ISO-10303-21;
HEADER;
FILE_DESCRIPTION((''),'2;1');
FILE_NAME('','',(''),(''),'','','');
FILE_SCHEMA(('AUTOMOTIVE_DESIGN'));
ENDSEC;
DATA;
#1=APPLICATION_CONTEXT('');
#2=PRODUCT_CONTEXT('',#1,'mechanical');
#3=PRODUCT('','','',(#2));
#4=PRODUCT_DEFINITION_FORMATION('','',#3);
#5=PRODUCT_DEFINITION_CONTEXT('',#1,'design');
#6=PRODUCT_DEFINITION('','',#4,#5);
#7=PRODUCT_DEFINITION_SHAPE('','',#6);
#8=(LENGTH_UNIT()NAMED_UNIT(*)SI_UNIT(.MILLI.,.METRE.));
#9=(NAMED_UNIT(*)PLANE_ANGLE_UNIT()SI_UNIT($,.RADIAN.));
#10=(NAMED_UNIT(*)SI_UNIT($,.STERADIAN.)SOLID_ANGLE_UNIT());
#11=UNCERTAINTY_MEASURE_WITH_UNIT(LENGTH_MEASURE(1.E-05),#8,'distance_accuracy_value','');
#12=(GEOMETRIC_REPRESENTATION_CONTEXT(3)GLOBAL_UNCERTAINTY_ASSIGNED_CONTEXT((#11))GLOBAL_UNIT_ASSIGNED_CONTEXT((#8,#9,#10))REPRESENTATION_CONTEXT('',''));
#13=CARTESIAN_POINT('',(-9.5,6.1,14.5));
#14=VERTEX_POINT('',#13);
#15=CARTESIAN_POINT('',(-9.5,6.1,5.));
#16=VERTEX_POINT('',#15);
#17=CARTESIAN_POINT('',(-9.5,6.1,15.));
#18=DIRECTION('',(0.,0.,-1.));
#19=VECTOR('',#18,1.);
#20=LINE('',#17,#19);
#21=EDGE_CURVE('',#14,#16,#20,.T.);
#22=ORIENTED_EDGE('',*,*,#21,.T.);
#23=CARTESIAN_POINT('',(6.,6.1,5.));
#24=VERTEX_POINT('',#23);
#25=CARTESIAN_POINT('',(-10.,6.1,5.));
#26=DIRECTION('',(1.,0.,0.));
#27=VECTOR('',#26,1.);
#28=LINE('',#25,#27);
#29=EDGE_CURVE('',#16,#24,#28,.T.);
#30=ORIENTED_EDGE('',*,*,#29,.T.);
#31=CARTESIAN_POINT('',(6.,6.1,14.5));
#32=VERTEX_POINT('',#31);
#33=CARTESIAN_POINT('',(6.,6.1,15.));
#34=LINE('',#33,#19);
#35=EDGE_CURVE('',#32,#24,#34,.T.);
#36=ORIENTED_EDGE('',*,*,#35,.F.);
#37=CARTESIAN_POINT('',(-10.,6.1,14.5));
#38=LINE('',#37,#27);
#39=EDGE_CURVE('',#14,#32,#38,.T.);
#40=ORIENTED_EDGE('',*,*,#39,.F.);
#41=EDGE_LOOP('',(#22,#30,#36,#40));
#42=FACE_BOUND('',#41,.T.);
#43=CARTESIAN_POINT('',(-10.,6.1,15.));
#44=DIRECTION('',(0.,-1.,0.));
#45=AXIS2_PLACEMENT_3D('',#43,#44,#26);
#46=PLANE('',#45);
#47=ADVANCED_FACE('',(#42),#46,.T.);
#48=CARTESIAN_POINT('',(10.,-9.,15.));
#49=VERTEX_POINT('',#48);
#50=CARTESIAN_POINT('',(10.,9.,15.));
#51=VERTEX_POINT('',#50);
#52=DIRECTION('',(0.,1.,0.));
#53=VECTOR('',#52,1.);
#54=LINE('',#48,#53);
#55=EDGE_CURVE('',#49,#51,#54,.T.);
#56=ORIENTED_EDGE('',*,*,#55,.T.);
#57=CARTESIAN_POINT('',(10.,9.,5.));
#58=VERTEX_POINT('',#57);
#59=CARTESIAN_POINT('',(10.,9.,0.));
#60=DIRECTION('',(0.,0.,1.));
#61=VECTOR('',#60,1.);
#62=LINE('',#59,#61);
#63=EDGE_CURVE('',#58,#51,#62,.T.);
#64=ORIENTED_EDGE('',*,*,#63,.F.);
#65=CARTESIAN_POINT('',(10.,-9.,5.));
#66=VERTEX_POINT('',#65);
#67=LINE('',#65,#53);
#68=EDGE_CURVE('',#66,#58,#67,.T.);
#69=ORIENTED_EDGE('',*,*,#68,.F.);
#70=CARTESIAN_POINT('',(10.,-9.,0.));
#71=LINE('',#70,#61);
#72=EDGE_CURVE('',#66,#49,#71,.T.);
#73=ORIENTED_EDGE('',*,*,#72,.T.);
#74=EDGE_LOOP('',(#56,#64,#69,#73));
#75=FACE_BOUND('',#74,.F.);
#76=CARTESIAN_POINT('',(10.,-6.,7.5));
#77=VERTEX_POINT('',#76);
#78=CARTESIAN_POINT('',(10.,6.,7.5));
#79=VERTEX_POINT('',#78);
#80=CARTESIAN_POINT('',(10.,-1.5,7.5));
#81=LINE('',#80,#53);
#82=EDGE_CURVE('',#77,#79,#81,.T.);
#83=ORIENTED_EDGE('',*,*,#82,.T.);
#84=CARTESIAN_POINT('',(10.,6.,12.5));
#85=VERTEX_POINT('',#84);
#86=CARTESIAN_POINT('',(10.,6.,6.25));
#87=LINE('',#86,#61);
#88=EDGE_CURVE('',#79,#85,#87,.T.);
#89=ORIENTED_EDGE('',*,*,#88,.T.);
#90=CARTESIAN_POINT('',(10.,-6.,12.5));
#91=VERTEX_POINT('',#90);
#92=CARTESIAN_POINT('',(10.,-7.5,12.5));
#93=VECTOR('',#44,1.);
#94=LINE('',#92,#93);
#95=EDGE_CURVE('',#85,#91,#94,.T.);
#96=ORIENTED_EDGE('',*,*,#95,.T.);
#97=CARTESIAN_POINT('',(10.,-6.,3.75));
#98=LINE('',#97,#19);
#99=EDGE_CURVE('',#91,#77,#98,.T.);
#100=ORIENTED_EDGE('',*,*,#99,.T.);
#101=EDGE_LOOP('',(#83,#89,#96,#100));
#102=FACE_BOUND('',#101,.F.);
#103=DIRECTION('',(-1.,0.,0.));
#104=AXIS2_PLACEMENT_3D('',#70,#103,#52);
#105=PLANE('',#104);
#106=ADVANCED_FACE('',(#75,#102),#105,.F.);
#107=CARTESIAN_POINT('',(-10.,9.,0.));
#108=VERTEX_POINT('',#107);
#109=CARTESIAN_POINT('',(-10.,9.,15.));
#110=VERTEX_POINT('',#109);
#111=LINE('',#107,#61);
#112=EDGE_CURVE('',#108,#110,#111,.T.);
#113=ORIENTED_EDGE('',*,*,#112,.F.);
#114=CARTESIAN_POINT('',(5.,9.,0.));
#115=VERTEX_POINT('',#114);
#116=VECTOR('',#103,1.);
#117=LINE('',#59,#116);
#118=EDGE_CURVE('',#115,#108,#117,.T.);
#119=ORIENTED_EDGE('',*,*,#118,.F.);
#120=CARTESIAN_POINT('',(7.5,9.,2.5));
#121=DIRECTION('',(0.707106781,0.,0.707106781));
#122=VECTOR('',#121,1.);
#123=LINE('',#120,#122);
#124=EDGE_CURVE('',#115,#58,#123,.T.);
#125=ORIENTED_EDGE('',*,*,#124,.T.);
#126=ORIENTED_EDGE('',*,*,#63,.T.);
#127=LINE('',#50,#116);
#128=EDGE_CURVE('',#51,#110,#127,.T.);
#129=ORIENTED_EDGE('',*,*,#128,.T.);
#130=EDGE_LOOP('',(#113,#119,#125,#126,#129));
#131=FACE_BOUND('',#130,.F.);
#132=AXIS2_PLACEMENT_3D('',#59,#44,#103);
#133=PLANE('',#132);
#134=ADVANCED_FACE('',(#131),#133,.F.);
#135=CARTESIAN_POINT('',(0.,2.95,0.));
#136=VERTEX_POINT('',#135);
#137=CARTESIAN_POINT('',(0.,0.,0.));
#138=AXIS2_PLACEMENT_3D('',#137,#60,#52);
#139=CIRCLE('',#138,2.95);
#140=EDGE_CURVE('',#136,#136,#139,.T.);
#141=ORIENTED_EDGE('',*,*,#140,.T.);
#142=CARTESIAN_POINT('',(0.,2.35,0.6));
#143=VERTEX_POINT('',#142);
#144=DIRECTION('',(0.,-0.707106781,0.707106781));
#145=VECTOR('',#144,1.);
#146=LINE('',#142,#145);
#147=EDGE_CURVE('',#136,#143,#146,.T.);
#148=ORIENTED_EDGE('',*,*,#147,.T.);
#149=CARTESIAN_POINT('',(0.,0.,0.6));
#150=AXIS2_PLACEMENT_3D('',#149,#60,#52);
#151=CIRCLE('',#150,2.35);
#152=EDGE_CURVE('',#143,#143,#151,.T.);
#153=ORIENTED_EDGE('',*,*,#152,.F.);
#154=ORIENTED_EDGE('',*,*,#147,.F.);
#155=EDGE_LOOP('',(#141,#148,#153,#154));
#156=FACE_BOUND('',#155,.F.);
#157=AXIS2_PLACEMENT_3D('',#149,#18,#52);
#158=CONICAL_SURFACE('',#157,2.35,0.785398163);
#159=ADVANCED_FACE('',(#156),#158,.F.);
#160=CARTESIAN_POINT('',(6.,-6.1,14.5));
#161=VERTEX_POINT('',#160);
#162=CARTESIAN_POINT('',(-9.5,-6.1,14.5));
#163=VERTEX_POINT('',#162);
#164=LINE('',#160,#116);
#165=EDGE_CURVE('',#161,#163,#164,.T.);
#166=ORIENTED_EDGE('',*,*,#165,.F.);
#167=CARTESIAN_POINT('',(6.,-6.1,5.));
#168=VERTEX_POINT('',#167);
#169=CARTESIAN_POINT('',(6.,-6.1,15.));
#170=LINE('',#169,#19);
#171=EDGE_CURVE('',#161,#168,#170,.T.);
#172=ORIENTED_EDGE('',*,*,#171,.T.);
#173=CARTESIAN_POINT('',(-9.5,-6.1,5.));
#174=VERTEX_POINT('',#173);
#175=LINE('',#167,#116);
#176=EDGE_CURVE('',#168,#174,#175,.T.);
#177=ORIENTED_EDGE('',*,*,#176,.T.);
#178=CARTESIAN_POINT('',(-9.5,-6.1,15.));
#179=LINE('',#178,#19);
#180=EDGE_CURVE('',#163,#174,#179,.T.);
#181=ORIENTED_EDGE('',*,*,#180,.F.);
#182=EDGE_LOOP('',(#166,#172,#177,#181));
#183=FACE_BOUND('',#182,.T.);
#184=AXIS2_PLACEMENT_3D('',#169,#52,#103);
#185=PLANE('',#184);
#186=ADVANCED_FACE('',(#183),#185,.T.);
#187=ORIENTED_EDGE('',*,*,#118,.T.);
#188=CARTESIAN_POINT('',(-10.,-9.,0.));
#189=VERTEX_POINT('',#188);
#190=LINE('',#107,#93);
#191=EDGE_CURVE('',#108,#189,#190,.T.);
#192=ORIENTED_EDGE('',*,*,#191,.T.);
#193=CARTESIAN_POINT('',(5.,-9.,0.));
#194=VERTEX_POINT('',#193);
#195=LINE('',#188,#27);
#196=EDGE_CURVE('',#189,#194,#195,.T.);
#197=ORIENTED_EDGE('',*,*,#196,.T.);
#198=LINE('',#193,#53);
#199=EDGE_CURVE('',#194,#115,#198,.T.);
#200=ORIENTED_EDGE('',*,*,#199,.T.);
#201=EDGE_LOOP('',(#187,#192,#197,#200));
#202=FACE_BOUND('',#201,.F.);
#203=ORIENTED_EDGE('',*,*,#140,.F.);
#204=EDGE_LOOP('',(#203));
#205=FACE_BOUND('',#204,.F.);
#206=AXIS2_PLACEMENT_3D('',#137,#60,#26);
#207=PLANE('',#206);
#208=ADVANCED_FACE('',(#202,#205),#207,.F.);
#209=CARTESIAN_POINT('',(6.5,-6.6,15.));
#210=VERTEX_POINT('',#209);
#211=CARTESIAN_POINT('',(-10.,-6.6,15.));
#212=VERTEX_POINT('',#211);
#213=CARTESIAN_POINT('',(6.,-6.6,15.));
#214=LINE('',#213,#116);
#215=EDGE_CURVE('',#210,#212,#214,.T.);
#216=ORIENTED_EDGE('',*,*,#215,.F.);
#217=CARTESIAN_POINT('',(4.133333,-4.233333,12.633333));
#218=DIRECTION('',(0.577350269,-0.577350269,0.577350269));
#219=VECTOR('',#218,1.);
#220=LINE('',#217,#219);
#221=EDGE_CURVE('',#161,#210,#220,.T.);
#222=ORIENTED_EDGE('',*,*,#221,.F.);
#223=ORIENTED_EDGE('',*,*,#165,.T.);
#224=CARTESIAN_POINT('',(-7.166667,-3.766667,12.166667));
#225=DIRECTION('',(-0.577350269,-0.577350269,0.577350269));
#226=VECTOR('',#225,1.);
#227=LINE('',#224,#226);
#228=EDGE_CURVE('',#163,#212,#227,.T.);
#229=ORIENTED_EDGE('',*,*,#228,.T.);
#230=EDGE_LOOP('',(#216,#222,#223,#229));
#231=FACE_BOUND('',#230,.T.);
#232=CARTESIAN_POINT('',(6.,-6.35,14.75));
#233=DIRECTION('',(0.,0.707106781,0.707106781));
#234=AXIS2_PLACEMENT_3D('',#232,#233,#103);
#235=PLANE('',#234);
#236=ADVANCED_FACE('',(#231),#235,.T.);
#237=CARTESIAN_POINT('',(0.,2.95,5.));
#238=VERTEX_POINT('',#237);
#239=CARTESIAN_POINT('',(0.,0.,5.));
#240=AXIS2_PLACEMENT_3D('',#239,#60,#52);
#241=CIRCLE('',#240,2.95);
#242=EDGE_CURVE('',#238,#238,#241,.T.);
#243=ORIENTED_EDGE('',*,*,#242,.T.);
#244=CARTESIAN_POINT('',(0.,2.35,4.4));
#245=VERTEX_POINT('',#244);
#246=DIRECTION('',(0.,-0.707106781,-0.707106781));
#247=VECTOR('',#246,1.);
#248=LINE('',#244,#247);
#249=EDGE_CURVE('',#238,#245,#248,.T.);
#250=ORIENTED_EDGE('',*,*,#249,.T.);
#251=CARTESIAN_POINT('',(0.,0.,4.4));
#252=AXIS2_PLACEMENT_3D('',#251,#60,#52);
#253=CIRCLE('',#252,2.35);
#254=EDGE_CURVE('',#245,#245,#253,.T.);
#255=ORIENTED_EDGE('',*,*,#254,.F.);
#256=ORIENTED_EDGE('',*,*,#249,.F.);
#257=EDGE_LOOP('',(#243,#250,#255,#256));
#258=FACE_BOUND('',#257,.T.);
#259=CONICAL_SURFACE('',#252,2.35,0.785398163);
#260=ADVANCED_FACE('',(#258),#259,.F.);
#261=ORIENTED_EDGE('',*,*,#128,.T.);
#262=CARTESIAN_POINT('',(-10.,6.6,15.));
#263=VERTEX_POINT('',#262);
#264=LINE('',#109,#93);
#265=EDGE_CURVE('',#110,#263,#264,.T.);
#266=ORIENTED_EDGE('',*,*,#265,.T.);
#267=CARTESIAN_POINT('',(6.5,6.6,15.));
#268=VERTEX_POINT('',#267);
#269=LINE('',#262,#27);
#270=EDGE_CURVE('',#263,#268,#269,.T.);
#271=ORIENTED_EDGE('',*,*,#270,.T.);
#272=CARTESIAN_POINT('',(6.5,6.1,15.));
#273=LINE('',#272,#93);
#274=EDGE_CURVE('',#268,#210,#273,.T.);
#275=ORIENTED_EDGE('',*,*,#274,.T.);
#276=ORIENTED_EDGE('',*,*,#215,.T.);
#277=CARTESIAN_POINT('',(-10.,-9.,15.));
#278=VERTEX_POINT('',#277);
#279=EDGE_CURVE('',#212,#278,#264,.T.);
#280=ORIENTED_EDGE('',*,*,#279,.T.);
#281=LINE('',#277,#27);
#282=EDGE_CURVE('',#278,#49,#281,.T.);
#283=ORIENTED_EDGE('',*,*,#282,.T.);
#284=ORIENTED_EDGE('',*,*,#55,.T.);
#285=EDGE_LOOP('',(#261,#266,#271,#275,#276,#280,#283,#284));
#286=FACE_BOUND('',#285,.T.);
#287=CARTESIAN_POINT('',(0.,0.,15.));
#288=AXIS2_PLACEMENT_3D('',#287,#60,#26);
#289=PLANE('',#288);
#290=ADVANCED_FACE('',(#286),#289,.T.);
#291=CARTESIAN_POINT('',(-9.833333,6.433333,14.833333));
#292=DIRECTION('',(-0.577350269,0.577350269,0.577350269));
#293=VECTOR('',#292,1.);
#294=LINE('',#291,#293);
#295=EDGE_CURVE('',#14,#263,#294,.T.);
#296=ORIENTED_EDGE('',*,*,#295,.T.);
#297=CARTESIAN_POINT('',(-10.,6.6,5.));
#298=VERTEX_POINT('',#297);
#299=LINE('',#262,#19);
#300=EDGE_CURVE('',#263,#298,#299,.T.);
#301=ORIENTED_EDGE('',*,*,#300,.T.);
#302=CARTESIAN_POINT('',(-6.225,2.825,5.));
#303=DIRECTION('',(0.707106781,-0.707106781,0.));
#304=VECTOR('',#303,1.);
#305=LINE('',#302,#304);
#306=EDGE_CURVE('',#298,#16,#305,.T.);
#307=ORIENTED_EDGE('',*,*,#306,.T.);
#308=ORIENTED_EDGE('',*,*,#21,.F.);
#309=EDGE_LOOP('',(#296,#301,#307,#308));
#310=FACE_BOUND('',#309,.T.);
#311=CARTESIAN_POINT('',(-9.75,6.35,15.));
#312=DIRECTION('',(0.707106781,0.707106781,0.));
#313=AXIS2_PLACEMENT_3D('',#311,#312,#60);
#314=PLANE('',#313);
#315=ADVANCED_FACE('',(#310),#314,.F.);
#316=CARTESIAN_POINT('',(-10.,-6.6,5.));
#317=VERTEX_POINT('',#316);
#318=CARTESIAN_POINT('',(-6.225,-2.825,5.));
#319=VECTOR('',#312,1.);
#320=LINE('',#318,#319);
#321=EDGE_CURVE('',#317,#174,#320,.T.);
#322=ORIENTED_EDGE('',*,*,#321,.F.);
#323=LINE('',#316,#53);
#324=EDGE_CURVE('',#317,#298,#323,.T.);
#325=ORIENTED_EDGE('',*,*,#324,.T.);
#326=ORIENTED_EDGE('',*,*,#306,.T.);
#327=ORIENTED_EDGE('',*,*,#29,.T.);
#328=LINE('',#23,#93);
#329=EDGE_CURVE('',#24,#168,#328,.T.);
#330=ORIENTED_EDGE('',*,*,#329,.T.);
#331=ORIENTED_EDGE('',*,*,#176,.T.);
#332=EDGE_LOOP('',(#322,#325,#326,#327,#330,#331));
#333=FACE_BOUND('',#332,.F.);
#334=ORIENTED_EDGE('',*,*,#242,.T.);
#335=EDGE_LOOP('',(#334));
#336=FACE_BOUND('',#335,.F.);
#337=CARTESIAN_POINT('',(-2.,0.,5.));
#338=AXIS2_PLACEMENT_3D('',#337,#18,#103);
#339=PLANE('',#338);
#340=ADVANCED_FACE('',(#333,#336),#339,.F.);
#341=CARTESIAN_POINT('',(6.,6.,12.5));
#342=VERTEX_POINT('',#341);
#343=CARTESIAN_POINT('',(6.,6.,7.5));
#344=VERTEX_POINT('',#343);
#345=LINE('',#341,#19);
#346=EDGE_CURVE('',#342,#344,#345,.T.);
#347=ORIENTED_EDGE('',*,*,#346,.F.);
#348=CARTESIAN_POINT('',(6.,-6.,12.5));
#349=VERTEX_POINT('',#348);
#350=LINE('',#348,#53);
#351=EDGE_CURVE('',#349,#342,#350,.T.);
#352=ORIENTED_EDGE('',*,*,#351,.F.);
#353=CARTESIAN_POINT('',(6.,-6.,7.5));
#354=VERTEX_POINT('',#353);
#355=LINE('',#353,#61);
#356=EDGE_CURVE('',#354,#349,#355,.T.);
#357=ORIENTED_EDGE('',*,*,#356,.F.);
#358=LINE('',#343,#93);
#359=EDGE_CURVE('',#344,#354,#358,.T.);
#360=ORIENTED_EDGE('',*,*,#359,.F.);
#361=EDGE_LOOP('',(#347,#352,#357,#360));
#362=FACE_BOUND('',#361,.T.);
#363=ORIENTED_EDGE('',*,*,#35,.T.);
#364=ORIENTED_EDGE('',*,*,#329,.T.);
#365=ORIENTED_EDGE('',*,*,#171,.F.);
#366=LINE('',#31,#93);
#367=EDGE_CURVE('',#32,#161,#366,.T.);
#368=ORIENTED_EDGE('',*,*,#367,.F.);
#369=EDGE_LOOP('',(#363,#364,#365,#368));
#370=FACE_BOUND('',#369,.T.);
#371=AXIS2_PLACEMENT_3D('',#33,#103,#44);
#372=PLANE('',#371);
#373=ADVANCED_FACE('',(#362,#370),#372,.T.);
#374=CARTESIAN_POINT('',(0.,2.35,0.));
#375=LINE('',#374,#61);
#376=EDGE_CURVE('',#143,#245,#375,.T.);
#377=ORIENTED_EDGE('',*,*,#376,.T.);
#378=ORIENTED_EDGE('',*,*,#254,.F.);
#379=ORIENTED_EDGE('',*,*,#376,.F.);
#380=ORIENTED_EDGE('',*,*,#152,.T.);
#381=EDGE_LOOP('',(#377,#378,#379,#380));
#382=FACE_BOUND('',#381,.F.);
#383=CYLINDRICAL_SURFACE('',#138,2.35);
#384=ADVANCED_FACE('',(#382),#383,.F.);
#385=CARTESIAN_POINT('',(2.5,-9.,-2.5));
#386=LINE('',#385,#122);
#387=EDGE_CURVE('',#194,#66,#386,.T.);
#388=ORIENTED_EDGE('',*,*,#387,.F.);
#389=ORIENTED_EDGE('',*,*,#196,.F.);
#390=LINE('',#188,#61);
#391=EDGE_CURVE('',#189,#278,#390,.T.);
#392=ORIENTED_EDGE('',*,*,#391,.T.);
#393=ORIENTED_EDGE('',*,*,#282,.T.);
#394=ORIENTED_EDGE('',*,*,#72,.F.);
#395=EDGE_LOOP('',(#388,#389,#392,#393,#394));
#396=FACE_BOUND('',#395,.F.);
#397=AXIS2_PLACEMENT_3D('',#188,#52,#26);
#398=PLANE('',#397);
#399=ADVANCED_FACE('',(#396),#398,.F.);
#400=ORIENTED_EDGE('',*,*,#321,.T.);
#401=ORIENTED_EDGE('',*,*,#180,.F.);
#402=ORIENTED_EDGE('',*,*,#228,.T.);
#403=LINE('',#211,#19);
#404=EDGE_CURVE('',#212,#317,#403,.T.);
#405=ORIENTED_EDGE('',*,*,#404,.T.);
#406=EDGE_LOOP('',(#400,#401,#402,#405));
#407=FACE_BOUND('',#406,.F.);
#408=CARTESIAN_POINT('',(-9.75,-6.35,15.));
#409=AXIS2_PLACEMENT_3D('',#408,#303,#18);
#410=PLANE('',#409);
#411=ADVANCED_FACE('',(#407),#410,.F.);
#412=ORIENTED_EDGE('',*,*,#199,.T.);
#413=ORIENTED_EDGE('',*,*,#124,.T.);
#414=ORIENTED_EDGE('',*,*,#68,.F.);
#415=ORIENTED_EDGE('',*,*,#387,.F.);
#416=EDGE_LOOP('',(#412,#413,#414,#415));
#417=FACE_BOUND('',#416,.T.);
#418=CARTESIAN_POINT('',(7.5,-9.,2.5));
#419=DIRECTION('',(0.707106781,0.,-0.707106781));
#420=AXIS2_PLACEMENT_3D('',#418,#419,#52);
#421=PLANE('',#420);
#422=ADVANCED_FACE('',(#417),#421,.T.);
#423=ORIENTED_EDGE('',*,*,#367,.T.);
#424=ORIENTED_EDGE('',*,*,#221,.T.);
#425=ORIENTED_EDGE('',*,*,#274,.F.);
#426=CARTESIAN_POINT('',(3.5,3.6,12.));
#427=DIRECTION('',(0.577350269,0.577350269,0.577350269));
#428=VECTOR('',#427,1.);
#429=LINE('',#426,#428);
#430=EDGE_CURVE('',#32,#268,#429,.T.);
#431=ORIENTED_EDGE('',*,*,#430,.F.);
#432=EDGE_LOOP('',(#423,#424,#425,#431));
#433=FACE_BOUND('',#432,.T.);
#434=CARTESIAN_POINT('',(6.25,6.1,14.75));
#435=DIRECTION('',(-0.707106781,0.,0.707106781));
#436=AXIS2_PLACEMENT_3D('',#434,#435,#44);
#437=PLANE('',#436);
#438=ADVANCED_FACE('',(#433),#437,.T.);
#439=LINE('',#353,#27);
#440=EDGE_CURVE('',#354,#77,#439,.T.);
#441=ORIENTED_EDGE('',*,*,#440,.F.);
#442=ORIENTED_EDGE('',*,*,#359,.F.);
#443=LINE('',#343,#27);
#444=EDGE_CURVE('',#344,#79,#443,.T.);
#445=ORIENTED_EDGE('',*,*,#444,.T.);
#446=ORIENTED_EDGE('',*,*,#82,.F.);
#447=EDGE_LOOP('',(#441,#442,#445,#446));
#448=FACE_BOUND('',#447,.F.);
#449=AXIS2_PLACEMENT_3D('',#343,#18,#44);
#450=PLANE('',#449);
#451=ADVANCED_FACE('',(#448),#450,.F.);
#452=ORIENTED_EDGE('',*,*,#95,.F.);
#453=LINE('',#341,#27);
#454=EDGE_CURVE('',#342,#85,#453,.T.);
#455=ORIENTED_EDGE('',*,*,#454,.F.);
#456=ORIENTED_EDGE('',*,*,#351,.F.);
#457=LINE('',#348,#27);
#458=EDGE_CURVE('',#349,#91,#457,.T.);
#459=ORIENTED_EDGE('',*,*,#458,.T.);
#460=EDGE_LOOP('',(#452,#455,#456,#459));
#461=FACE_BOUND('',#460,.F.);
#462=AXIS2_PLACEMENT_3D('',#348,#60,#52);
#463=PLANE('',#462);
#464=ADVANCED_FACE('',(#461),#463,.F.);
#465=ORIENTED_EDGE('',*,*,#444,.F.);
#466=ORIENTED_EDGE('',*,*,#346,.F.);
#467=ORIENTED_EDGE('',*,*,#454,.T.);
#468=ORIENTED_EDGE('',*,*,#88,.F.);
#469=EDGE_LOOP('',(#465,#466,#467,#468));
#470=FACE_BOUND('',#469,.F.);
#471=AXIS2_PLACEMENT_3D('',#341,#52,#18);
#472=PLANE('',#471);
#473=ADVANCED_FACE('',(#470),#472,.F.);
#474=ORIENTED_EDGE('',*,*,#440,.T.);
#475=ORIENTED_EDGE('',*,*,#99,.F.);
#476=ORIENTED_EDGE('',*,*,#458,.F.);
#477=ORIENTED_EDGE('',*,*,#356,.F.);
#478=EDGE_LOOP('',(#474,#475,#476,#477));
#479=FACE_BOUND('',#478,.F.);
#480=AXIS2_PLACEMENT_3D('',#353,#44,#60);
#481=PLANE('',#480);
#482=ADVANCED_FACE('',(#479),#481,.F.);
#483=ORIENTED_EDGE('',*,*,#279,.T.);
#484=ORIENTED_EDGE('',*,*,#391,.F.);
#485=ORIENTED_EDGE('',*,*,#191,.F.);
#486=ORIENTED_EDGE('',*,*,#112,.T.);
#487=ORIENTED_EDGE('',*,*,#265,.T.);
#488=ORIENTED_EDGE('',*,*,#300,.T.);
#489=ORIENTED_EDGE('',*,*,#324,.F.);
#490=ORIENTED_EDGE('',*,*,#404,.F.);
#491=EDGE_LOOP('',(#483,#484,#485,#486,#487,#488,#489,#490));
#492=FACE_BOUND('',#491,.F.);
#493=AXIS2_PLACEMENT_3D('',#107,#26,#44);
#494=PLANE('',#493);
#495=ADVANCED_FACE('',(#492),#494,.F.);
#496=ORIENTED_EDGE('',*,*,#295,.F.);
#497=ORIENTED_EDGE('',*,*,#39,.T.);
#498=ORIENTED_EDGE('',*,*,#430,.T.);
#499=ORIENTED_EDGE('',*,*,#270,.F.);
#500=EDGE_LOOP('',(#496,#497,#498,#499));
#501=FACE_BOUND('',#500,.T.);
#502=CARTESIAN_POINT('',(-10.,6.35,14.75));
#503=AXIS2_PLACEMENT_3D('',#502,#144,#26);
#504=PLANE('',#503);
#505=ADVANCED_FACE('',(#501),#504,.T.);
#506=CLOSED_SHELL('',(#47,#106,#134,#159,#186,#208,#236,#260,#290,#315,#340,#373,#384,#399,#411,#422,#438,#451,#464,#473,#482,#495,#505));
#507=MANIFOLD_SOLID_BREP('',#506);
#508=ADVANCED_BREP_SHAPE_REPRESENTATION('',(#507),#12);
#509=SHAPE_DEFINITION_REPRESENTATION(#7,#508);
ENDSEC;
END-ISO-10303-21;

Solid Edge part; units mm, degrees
sketch "Sketch1" plane through (0, 0, 0) normal (0, 0, 1) x (1, 0, 0)
  line L0 (-10, -9) -> (10, -9)
  line L1 (10, -9) -> (10, 9)
  line L2 (10, 9) -> (-10, 9)
  line L3 (-10, 9) -> (-10, -9)
  dimension "D1" = 18
  dimension "D2" = 20
extrude "Protrusion1" add sketch "Sketch1" along normal blind 15
sketch "Sketch2" plane through (0, 0, 15) normal (0, 0, 1) x (0, 1, 0)
  line L0 (-6.1, 10) -> (6.1, 10)
  line L1 (6.1, 10) -> (6.1, -6)
  line L2 (6.1, -6) -> (-6.1, -6)
  line L3 (-6.1, -6) -> (-6.1, 10)
  dimension "D1" = 12.2
  dimension "D2" = 16
extrude "servo_cutout" cut sketch "Sketch2" against normal blind 10
hole "screw_bearing" at (0, 0, 0) direction (0, 0, 1) diameter 4.7 depth 30 tip angle 118 start chamfer 0.6 start chamfer angle 45 end chamfer 0.6 end chamfer angle 45
chamfer "Chamfer1" distance 0.5 angle 45 5 edges at (-2, -6.1, 15) (-10, -6.1, 10) (6, 0, 15) (-2, 6.1, 15) (-10, 6.1, 10)
chamfer "side_chamfer" distance 5 angle 45 1 edges at (10, 0, 0)
sketch "Sketch3" plane through (6, 0, 9.75) normal (-1, 0, 0) x (0, -1, 0)
  line L0 (-6, -2.25) -> (6, -2.25)
  line L1 (6, -2.25) -> (6, 2.75)
  line L2 (6, 2.75) -> (-6, 2.75)
  line L3 (-6, 2.75) -> (-6, -2.25)
  dimension "D1" = 2.5
  dimension "D2" = 5
  dimension "D3" = 12
extrude "Cutout1" cut sketch "Sketch3" against normal up to next
properties material "Polypropylene, general purpose"
